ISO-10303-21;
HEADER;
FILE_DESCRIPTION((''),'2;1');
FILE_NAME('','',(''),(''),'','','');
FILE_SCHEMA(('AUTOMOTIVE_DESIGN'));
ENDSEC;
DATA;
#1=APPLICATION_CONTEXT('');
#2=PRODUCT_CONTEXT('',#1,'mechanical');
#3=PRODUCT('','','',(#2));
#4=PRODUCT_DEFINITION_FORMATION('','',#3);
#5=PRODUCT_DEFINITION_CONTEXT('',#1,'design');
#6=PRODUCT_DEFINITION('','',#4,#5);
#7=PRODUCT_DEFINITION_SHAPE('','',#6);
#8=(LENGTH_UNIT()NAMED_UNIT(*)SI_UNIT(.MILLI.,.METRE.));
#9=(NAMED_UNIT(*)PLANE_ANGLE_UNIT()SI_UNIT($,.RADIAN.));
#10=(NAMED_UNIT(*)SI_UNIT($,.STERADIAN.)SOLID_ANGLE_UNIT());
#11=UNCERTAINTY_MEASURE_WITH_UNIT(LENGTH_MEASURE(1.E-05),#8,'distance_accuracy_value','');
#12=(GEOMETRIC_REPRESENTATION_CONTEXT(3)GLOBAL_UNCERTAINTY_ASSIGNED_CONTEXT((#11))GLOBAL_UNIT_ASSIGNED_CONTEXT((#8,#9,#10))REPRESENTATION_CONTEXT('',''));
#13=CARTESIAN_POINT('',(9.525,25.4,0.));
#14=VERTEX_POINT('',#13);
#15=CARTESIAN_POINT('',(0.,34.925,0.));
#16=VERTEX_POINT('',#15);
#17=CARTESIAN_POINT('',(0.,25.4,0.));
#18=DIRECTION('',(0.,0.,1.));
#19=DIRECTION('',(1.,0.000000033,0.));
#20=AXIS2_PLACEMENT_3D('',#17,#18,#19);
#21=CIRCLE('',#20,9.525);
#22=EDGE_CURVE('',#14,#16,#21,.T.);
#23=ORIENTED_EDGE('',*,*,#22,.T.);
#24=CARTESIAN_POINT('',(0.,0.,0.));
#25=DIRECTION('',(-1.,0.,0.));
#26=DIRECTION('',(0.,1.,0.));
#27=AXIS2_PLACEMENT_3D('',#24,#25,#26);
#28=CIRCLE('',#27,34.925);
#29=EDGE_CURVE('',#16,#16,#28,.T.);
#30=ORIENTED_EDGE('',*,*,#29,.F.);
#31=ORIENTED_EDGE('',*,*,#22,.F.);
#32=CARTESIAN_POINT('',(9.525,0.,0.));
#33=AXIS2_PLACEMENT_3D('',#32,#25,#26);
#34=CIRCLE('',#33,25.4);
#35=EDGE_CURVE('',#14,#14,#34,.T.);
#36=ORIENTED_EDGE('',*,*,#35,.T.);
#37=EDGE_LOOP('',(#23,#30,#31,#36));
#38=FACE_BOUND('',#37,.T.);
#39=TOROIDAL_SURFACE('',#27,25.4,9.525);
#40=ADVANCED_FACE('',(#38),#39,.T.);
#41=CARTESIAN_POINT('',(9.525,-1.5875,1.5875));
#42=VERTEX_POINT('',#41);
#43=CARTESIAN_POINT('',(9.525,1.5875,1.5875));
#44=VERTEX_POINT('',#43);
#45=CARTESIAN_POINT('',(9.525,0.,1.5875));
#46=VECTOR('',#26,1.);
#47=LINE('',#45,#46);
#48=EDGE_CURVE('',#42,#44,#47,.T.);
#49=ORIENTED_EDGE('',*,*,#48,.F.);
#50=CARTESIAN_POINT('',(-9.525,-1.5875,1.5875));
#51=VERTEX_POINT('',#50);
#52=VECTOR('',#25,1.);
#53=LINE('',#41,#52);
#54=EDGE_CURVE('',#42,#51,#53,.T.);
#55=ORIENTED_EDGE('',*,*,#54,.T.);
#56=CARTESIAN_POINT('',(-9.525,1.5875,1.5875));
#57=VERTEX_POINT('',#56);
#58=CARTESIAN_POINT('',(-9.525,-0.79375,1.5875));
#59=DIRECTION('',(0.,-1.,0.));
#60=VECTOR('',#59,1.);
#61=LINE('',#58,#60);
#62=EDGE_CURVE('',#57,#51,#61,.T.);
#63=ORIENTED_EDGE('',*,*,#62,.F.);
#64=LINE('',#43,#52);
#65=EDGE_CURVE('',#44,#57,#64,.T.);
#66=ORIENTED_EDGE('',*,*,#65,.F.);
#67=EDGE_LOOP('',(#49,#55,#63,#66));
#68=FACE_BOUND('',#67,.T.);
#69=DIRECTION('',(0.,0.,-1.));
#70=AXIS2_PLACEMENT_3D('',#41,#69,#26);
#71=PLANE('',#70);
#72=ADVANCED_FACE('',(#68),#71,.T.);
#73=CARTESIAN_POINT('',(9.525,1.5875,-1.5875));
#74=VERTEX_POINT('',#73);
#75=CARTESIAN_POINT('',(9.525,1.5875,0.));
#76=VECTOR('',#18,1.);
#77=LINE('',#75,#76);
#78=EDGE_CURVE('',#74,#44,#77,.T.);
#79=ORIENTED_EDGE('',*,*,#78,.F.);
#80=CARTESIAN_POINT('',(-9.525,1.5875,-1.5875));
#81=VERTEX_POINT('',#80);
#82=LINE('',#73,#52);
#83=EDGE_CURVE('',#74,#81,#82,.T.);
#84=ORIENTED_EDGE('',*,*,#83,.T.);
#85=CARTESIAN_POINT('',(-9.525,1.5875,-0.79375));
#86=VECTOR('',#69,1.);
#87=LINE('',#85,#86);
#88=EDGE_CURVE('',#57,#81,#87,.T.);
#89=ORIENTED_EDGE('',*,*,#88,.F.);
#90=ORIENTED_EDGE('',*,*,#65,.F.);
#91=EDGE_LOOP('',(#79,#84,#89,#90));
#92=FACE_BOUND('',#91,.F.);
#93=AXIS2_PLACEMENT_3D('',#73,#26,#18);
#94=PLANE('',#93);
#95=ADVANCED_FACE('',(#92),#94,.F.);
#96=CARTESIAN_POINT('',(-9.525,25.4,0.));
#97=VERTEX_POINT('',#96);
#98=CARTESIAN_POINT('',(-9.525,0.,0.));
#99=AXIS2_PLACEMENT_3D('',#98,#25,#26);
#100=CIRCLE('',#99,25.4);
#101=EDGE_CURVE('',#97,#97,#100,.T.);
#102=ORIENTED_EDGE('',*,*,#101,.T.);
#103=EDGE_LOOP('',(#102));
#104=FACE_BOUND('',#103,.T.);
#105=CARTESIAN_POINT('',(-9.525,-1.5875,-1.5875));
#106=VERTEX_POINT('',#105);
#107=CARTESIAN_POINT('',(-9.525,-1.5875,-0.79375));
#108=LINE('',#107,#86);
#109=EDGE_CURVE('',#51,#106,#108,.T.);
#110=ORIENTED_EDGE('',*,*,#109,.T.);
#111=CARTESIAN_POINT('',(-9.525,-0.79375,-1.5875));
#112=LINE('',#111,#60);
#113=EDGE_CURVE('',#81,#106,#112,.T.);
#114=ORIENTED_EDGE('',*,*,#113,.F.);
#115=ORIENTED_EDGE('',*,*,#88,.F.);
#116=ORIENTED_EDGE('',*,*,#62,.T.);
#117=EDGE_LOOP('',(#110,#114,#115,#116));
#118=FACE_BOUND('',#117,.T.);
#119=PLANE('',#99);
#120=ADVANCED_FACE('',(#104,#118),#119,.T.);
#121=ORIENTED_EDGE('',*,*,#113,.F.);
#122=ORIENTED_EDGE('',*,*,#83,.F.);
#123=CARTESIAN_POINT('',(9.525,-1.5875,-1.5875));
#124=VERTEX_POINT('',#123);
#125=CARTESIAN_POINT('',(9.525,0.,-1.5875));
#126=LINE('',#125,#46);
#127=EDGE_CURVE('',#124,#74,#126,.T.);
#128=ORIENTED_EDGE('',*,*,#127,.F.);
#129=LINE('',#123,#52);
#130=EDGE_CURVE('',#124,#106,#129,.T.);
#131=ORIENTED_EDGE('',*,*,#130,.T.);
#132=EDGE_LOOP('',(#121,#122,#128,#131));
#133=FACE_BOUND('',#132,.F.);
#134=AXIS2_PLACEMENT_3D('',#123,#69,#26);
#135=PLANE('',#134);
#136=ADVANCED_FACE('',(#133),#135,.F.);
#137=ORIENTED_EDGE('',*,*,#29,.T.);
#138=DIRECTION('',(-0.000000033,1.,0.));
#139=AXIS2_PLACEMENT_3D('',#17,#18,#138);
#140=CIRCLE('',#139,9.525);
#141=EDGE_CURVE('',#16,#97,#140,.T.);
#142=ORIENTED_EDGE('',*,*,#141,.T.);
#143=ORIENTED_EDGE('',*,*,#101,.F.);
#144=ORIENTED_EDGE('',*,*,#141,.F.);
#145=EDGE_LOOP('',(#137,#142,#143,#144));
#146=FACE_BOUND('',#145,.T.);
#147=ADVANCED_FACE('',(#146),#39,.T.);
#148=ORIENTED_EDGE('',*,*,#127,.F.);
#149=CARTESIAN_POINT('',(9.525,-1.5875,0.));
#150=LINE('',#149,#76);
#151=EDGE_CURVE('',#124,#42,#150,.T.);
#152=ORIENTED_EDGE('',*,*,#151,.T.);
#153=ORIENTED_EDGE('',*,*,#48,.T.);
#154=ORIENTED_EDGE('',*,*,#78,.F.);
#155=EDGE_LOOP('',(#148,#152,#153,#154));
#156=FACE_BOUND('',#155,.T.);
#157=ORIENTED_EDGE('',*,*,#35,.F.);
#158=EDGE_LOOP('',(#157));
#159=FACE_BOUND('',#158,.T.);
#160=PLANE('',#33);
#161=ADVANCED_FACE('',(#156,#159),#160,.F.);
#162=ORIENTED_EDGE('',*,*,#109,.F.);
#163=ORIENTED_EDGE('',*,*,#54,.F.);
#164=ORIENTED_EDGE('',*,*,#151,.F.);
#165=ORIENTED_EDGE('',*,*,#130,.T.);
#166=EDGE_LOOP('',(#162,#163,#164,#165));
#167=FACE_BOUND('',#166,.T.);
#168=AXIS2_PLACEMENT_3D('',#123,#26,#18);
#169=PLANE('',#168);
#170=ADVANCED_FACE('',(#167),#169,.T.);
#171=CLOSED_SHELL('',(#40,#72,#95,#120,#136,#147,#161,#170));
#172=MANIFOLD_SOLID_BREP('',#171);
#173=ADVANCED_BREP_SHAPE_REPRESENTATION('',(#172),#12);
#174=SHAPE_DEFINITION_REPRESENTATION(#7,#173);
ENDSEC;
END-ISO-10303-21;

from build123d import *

# Parameters (mm, degrees)
F2_W     = 3.175
F2_H     = 3.175
F3_DEPTH = 25


with BuildPart() as f1:
    # F0 (on Top) → F1 (revolve)
    with BuildSketch(Plane.XY):
        with BuildLine():
            Line((-9.525, 0), (9.525, 0))
            Line((9.525, 0), (9.525, 25.4))
            ThreePointArc((9.525, 25.4), (6.735192, 32.135192), (0, 34.925))
            ThreePointArc((0, 34.925), (-6.735192, 32.135192), (-9.525, 25.4))
            Line((-9.525, 25.4), (-9.525, 0))
        make_face()
    revolve(axis=Axis((0, 0, 0), (-1, 0, 0)))

    # F2 (on face) → F3 (cut)
    with BuildSketch(Plane.YZ.offset(9.525)):
        Rectangle(F2_W, F2_H)
    extrude(amount=-F3_DEPTH, mode=Mode.SUBTRACT)


solid = f1.part
